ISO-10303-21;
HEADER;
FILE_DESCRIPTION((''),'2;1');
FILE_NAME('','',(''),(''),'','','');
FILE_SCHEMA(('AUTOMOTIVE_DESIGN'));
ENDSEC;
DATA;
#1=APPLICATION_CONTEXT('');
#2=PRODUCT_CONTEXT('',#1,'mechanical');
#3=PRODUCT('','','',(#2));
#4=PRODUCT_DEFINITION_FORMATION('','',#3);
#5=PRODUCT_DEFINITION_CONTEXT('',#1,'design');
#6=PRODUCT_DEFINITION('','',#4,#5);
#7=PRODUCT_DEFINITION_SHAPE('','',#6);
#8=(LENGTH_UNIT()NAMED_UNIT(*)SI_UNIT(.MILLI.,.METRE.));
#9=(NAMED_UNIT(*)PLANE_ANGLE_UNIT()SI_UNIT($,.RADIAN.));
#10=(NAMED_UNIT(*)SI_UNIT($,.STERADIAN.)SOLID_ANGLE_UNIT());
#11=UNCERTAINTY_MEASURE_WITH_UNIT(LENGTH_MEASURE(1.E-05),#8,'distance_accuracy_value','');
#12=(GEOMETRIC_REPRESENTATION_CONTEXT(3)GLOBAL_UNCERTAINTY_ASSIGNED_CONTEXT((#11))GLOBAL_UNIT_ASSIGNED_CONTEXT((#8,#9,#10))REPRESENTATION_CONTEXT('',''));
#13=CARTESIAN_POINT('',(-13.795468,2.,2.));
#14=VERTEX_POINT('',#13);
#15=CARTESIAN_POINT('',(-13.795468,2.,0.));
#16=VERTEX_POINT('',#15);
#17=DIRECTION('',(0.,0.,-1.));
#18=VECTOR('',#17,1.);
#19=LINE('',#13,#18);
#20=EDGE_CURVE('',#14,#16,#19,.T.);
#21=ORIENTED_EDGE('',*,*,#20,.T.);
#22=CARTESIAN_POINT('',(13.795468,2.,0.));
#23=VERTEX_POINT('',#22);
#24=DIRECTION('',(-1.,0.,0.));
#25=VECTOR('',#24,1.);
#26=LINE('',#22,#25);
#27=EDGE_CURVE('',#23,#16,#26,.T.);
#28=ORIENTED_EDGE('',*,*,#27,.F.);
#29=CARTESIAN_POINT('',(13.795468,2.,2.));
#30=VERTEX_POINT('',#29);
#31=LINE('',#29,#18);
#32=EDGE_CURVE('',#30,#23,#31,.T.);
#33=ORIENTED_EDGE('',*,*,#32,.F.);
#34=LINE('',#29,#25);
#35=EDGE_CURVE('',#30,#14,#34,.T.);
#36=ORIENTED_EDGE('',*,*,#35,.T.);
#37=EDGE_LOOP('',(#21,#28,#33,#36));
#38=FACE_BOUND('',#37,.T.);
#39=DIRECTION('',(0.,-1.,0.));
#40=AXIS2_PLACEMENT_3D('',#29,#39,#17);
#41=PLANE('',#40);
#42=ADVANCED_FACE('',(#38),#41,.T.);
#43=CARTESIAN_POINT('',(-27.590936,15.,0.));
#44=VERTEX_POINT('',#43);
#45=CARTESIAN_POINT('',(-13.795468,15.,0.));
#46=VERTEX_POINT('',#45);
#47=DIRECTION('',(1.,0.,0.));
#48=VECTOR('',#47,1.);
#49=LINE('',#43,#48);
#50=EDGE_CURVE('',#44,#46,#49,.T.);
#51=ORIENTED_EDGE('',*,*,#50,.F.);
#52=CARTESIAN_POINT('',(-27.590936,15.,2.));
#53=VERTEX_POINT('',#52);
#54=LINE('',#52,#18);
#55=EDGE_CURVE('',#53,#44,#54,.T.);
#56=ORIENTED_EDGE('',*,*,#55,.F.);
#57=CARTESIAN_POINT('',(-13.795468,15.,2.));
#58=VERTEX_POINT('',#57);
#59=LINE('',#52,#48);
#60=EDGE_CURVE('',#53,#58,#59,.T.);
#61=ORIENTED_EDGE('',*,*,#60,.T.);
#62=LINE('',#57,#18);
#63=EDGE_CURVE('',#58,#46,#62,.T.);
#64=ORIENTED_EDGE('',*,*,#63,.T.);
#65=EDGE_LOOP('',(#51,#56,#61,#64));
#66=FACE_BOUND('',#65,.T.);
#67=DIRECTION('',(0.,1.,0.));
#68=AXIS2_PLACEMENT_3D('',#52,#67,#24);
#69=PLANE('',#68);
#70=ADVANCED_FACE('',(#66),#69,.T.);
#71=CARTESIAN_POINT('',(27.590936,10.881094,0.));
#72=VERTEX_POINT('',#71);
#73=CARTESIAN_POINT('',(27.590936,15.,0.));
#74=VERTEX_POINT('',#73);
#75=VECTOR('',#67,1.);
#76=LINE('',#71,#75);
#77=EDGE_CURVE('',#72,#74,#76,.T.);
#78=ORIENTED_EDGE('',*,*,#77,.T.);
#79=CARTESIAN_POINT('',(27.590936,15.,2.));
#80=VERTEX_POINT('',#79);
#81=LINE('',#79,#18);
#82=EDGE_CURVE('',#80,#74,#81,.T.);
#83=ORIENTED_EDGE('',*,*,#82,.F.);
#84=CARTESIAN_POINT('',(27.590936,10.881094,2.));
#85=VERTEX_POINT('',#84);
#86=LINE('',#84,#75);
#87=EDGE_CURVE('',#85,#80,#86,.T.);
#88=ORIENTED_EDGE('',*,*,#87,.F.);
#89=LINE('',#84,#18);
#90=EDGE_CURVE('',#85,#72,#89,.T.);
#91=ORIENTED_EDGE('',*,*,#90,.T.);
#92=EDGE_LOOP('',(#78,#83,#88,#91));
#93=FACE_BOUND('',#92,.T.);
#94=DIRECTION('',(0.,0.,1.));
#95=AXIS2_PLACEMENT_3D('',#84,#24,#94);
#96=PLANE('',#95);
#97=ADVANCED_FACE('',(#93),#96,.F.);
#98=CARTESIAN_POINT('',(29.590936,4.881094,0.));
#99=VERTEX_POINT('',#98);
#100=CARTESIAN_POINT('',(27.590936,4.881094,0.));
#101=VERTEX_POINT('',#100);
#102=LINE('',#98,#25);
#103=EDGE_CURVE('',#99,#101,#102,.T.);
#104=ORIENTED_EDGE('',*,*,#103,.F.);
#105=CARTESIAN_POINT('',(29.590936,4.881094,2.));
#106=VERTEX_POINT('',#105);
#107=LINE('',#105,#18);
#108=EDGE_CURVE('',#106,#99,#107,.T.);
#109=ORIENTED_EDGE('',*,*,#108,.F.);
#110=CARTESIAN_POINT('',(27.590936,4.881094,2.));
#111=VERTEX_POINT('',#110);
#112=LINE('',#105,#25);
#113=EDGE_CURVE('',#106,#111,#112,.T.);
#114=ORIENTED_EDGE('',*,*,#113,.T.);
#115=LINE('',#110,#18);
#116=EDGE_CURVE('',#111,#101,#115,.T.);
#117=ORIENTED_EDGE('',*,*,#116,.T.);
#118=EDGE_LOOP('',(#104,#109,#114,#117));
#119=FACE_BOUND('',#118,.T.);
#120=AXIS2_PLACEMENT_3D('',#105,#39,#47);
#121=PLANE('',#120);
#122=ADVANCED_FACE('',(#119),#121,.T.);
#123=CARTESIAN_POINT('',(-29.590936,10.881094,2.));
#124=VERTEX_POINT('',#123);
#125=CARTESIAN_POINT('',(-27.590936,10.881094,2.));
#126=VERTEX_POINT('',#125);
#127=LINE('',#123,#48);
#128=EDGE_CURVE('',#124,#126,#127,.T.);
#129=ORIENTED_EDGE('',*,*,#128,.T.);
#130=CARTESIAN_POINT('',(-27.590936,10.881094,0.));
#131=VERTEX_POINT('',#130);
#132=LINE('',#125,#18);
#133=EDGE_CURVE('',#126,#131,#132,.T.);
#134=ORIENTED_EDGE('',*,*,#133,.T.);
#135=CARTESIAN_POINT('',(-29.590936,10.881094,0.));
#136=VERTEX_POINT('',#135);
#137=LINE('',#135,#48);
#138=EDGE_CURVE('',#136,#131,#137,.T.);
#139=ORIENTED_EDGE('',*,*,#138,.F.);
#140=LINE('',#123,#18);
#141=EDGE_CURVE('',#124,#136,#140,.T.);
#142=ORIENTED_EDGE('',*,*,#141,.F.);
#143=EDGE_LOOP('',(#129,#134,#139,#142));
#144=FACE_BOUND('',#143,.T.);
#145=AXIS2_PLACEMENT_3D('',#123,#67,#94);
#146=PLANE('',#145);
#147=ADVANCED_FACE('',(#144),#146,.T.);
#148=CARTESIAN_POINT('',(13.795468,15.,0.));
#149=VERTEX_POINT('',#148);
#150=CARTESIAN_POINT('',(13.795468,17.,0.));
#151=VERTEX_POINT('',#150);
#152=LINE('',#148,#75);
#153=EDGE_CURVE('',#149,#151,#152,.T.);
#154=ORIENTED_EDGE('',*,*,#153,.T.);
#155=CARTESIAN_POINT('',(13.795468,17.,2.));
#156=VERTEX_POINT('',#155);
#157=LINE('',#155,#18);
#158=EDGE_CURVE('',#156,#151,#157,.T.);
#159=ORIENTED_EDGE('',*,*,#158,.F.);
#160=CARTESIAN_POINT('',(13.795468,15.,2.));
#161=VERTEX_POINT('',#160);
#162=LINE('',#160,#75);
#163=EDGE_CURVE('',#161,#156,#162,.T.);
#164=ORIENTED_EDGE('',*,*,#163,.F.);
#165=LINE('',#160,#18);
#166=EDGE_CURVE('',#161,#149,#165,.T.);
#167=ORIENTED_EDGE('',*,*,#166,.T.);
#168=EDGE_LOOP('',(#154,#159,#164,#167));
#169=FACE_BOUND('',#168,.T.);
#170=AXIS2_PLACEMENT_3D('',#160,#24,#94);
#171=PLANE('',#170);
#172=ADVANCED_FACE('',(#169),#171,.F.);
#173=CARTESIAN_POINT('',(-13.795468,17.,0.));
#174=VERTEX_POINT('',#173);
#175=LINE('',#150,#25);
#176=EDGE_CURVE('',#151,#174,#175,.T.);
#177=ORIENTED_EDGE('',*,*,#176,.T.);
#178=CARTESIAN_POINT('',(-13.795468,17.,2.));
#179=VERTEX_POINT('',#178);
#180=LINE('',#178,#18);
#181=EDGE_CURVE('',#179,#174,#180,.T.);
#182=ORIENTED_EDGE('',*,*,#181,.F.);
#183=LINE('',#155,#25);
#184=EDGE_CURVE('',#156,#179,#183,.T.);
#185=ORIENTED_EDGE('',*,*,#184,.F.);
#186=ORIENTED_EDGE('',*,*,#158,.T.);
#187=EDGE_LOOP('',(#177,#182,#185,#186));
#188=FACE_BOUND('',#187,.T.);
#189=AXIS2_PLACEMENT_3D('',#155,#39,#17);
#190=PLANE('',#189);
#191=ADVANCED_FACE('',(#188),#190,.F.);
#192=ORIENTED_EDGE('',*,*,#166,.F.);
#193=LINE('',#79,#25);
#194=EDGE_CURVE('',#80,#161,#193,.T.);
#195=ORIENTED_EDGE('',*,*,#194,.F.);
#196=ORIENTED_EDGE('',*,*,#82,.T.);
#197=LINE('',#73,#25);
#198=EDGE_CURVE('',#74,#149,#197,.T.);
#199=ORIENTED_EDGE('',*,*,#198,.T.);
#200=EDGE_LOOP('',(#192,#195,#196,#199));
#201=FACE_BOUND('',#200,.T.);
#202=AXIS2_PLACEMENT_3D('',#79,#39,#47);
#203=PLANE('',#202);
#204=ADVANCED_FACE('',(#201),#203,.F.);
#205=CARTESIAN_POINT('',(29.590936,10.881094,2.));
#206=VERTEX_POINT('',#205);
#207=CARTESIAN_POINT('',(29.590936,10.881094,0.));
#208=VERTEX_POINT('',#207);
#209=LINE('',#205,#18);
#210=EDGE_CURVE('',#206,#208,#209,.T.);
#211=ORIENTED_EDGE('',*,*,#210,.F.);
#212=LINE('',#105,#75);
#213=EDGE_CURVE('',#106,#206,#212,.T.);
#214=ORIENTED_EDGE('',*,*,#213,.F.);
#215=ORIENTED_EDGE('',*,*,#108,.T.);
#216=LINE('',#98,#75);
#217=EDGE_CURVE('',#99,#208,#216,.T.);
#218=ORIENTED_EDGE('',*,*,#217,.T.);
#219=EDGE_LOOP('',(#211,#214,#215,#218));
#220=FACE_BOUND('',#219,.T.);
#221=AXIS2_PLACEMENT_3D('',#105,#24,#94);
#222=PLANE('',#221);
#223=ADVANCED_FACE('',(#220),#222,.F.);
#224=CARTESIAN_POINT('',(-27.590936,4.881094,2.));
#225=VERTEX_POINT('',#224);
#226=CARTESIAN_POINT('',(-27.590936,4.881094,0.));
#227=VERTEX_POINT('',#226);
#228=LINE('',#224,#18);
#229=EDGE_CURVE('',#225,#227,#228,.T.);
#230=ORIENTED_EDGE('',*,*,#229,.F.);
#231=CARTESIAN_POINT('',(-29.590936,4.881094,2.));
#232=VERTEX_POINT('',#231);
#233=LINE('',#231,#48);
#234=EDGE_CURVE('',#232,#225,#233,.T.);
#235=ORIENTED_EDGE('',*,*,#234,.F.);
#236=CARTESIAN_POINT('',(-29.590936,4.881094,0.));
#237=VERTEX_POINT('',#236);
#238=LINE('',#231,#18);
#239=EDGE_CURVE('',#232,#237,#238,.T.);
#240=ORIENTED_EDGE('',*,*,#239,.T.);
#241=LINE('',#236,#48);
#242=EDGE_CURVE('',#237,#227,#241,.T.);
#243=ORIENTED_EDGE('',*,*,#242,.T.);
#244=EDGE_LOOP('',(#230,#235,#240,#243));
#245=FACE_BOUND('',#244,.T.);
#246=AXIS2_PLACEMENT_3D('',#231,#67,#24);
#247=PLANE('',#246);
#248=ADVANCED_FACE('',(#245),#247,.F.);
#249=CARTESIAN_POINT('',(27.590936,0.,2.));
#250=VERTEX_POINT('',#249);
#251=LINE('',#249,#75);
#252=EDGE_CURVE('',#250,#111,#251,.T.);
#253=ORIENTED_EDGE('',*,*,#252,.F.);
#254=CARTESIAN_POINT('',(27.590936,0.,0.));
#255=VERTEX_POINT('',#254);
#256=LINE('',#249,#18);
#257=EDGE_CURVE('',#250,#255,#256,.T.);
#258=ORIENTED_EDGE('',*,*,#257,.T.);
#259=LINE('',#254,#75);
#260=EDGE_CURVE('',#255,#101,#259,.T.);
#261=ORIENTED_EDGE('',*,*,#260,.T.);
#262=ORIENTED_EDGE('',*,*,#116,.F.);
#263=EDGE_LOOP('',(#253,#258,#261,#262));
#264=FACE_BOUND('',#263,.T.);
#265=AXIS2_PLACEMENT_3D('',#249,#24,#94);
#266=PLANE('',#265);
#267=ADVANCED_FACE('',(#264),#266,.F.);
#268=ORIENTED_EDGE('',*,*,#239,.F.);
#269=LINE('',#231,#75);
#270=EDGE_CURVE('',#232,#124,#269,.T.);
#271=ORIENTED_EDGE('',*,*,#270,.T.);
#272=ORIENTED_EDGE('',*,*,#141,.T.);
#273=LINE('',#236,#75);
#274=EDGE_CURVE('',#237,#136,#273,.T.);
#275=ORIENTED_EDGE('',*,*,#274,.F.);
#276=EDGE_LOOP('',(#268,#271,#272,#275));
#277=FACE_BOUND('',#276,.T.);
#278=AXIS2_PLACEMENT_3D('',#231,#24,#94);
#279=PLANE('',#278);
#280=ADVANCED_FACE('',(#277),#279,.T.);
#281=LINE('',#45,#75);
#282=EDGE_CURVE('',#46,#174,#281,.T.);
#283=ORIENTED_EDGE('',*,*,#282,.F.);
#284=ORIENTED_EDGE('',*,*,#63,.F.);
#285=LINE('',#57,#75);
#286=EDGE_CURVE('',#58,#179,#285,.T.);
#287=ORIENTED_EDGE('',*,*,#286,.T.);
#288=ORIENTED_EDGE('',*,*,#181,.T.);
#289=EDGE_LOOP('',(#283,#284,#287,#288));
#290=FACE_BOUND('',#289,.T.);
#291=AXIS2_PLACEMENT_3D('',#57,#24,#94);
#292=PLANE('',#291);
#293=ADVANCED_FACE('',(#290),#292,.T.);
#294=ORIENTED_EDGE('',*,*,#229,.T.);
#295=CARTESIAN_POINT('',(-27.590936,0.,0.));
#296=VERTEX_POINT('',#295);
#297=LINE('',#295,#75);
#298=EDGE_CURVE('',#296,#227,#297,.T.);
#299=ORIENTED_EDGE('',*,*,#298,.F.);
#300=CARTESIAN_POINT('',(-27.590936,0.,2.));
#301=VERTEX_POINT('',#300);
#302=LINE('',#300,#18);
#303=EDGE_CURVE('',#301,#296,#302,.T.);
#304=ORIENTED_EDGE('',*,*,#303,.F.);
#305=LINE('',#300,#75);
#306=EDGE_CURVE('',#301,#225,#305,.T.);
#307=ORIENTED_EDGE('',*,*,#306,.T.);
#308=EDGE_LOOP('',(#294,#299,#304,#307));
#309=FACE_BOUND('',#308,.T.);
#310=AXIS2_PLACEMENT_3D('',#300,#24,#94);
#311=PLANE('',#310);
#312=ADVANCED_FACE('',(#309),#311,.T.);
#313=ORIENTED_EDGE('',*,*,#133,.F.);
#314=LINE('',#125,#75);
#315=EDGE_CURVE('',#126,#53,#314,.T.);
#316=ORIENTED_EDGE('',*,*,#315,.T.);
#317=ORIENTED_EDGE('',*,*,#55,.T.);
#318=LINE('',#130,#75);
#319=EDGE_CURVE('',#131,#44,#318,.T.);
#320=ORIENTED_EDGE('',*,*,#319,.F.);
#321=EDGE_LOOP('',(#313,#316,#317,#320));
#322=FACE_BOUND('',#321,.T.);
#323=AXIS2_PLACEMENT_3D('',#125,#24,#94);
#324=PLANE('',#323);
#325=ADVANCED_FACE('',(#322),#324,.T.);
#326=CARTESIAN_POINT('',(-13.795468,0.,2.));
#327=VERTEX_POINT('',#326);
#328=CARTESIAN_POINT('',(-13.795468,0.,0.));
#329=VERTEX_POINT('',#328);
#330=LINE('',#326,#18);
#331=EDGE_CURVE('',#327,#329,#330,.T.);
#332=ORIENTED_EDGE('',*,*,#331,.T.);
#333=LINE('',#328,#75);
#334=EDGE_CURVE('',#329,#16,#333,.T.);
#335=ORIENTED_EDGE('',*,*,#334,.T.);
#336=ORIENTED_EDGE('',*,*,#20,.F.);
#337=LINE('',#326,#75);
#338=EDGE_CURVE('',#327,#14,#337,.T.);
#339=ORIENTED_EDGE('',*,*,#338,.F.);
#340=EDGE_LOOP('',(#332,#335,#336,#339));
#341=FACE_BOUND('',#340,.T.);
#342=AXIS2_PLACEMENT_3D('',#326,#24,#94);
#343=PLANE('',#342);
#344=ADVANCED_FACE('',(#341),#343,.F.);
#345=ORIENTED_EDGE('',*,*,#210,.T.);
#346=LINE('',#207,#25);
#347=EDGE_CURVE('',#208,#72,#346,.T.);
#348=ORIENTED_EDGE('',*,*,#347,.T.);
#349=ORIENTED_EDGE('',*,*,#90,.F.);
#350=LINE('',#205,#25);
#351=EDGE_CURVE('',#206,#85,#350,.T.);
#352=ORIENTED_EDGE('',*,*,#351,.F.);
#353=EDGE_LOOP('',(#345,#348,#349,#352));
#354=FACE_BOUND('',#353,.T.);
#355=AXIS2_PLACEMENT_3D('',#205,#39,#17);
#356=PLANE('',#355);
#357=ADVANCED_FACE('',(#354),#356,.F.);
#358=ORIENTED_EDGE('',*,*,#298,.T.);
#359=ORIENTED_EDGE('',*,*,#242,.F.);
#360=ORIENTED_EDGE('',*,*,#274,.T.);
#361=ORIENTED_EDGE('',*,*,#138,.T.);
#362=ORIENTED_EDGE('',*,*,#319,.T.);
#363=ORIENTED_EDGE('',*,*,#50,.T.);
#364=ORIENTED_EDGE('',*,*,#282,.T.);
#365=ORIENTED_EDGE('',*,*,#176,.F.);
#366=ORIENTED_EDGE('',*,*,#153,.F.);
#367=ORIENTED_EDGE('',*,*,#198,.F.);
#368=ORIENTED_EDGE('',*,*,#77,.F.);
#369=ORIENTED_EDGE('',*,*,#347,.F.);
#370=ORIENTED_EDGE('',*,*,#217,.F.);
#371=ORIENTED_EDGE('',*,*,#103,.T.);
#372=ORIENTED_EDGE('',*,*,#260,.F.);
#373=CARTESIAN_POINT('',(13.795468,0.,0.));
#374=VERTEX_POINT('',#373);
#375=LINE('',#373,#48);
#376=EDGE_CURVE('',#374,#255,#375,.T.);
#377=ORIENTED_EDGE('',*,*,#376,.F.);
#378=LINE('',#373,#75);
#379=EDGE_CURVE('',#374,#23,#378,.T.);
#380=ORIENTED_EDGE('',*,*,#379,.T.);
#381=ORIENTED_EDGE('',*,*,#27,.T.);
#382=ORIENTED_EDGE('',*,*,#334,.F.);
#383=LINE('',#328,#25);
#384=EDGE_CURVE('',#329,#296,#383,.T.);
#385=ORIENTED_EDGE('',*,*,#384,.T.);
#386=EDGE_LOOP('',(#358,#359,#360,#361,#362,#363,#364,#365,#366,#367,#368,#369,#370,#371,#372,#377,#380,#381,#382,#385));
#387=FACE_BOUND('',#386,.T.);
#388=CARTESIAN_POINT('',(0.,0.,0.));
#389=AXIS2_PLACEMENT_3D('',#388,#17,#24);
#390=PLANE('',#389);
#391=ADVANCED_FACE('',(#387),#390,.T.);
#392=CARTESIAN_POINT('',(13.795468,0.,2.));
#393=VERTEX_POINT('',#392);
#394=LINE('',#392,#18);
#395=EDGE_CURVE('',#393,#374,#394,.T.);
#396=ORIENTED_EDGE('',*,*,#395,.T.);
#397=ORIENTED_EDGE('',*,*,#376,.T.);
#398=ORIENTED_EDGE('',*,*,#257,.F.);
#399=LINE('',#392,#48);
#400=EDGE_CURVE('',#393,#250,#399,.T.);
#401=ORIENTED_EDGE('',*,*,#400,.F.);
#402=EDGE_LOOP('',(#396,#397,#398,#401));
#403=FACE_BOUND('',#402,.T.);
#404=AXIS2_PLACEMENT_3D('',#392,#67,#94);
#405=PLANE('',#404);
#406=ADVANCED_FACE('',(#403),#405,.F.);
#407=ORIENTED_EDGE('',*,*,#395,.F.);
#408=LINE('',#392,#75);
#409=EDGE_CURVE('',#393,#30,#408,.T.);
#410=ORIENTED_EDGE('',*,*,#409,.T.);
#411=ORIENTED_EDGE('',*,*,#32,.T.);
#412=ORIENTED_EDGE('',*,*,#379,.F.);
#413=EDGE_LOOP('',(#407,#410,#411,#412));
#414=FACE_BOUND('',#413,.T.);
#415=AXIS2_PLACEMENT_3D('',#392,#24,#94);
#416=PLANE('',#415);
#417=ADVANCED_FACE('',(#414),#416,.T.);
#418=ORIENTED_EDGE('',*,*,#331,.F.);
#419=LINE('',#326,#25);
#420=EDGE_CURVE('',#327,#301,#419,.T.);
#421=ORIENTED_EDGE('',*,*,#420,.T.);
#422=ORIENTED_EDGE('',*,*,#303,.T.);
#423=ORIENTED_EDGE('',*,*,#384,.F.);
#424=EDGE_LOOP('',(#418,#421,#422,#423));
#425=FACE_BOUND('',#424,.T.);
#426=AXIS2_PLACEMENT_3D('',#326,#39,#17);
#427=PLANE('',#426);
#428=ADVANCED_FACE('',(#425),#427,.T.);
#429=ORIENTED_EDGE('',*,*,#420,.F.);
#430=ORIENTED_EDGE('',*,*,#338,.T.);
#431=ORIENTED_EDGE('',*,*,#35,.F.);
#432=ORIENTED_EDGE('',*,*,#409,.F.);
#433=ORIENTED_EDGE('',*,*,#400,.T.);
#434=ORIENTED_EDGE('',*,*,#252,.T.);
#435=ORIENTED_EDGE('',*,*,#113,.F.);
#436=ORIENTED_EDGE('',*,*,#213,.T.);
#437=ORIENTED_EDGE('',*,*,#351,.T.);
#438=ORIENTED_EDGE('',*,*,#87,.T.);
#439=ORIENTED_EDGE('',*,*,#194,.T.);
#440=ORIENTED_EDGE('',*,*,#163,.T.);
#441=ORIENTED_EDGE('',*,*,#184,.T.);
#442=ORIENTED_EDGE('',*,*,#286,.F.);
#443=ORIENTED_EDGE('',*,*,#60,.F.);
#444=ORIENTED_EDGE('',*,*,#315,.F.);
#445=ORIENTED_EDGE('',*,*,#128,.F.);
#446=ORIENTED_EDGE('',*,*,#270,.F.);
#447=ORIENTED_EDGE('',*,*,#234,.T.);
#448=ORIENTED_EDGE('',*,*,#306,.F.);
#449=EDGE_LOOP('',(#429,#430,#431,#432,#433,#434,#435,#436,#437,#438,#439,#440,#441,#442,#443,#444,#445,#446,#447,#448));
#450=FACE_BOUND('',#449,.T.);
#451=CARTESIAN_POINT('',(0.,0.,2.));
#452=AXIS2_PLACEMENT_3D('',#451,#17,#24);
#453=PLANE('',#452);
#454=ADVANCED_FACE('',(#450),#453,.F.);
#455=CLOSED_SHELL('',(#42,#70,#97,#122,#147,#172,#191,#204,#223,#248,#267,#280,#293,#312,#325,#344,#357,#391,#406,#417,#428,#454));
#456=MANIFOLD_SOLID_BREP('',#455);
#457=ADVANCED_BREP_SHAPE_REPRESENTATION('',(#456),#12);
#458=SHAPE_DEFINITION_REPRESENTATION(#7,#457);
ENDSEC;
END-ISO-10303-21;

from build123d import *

# Parameters (mm, degrees)
BOSS_EXTRUDE4_DEPTH = 2


with BuildPart() as part:
    # Sketch1 → Boss-Extrude4 (new body)
    with BuildSketch(Plane.XY):
        Polygon((13.795467901, 0), (27.590935802, 0), (27.590935802, 4.881093546), (29.590935802, 4.881093546), (29.590935802, 10.881093546), (27.590935802, 10.881093546), (27.590935802, 15), (13.795467901, 15), (13.795467901, 17), (-13.795467901, 17), (-13.795467901, 15), (-27.590935802, 15), (-27.590935802, 10.881093546), (-29.590935802, 10.881093546), (-29.590935802, 4.881093546), (-27.590935802, 4.881093546), (-27.590935802, 0), (-13.795467901, 0), (-13.795467901, 2), (13.795467901, 2), align=None)
    extrude(amount=BOSS_EXTRUDE4_DEPTH)


solid = part.part
